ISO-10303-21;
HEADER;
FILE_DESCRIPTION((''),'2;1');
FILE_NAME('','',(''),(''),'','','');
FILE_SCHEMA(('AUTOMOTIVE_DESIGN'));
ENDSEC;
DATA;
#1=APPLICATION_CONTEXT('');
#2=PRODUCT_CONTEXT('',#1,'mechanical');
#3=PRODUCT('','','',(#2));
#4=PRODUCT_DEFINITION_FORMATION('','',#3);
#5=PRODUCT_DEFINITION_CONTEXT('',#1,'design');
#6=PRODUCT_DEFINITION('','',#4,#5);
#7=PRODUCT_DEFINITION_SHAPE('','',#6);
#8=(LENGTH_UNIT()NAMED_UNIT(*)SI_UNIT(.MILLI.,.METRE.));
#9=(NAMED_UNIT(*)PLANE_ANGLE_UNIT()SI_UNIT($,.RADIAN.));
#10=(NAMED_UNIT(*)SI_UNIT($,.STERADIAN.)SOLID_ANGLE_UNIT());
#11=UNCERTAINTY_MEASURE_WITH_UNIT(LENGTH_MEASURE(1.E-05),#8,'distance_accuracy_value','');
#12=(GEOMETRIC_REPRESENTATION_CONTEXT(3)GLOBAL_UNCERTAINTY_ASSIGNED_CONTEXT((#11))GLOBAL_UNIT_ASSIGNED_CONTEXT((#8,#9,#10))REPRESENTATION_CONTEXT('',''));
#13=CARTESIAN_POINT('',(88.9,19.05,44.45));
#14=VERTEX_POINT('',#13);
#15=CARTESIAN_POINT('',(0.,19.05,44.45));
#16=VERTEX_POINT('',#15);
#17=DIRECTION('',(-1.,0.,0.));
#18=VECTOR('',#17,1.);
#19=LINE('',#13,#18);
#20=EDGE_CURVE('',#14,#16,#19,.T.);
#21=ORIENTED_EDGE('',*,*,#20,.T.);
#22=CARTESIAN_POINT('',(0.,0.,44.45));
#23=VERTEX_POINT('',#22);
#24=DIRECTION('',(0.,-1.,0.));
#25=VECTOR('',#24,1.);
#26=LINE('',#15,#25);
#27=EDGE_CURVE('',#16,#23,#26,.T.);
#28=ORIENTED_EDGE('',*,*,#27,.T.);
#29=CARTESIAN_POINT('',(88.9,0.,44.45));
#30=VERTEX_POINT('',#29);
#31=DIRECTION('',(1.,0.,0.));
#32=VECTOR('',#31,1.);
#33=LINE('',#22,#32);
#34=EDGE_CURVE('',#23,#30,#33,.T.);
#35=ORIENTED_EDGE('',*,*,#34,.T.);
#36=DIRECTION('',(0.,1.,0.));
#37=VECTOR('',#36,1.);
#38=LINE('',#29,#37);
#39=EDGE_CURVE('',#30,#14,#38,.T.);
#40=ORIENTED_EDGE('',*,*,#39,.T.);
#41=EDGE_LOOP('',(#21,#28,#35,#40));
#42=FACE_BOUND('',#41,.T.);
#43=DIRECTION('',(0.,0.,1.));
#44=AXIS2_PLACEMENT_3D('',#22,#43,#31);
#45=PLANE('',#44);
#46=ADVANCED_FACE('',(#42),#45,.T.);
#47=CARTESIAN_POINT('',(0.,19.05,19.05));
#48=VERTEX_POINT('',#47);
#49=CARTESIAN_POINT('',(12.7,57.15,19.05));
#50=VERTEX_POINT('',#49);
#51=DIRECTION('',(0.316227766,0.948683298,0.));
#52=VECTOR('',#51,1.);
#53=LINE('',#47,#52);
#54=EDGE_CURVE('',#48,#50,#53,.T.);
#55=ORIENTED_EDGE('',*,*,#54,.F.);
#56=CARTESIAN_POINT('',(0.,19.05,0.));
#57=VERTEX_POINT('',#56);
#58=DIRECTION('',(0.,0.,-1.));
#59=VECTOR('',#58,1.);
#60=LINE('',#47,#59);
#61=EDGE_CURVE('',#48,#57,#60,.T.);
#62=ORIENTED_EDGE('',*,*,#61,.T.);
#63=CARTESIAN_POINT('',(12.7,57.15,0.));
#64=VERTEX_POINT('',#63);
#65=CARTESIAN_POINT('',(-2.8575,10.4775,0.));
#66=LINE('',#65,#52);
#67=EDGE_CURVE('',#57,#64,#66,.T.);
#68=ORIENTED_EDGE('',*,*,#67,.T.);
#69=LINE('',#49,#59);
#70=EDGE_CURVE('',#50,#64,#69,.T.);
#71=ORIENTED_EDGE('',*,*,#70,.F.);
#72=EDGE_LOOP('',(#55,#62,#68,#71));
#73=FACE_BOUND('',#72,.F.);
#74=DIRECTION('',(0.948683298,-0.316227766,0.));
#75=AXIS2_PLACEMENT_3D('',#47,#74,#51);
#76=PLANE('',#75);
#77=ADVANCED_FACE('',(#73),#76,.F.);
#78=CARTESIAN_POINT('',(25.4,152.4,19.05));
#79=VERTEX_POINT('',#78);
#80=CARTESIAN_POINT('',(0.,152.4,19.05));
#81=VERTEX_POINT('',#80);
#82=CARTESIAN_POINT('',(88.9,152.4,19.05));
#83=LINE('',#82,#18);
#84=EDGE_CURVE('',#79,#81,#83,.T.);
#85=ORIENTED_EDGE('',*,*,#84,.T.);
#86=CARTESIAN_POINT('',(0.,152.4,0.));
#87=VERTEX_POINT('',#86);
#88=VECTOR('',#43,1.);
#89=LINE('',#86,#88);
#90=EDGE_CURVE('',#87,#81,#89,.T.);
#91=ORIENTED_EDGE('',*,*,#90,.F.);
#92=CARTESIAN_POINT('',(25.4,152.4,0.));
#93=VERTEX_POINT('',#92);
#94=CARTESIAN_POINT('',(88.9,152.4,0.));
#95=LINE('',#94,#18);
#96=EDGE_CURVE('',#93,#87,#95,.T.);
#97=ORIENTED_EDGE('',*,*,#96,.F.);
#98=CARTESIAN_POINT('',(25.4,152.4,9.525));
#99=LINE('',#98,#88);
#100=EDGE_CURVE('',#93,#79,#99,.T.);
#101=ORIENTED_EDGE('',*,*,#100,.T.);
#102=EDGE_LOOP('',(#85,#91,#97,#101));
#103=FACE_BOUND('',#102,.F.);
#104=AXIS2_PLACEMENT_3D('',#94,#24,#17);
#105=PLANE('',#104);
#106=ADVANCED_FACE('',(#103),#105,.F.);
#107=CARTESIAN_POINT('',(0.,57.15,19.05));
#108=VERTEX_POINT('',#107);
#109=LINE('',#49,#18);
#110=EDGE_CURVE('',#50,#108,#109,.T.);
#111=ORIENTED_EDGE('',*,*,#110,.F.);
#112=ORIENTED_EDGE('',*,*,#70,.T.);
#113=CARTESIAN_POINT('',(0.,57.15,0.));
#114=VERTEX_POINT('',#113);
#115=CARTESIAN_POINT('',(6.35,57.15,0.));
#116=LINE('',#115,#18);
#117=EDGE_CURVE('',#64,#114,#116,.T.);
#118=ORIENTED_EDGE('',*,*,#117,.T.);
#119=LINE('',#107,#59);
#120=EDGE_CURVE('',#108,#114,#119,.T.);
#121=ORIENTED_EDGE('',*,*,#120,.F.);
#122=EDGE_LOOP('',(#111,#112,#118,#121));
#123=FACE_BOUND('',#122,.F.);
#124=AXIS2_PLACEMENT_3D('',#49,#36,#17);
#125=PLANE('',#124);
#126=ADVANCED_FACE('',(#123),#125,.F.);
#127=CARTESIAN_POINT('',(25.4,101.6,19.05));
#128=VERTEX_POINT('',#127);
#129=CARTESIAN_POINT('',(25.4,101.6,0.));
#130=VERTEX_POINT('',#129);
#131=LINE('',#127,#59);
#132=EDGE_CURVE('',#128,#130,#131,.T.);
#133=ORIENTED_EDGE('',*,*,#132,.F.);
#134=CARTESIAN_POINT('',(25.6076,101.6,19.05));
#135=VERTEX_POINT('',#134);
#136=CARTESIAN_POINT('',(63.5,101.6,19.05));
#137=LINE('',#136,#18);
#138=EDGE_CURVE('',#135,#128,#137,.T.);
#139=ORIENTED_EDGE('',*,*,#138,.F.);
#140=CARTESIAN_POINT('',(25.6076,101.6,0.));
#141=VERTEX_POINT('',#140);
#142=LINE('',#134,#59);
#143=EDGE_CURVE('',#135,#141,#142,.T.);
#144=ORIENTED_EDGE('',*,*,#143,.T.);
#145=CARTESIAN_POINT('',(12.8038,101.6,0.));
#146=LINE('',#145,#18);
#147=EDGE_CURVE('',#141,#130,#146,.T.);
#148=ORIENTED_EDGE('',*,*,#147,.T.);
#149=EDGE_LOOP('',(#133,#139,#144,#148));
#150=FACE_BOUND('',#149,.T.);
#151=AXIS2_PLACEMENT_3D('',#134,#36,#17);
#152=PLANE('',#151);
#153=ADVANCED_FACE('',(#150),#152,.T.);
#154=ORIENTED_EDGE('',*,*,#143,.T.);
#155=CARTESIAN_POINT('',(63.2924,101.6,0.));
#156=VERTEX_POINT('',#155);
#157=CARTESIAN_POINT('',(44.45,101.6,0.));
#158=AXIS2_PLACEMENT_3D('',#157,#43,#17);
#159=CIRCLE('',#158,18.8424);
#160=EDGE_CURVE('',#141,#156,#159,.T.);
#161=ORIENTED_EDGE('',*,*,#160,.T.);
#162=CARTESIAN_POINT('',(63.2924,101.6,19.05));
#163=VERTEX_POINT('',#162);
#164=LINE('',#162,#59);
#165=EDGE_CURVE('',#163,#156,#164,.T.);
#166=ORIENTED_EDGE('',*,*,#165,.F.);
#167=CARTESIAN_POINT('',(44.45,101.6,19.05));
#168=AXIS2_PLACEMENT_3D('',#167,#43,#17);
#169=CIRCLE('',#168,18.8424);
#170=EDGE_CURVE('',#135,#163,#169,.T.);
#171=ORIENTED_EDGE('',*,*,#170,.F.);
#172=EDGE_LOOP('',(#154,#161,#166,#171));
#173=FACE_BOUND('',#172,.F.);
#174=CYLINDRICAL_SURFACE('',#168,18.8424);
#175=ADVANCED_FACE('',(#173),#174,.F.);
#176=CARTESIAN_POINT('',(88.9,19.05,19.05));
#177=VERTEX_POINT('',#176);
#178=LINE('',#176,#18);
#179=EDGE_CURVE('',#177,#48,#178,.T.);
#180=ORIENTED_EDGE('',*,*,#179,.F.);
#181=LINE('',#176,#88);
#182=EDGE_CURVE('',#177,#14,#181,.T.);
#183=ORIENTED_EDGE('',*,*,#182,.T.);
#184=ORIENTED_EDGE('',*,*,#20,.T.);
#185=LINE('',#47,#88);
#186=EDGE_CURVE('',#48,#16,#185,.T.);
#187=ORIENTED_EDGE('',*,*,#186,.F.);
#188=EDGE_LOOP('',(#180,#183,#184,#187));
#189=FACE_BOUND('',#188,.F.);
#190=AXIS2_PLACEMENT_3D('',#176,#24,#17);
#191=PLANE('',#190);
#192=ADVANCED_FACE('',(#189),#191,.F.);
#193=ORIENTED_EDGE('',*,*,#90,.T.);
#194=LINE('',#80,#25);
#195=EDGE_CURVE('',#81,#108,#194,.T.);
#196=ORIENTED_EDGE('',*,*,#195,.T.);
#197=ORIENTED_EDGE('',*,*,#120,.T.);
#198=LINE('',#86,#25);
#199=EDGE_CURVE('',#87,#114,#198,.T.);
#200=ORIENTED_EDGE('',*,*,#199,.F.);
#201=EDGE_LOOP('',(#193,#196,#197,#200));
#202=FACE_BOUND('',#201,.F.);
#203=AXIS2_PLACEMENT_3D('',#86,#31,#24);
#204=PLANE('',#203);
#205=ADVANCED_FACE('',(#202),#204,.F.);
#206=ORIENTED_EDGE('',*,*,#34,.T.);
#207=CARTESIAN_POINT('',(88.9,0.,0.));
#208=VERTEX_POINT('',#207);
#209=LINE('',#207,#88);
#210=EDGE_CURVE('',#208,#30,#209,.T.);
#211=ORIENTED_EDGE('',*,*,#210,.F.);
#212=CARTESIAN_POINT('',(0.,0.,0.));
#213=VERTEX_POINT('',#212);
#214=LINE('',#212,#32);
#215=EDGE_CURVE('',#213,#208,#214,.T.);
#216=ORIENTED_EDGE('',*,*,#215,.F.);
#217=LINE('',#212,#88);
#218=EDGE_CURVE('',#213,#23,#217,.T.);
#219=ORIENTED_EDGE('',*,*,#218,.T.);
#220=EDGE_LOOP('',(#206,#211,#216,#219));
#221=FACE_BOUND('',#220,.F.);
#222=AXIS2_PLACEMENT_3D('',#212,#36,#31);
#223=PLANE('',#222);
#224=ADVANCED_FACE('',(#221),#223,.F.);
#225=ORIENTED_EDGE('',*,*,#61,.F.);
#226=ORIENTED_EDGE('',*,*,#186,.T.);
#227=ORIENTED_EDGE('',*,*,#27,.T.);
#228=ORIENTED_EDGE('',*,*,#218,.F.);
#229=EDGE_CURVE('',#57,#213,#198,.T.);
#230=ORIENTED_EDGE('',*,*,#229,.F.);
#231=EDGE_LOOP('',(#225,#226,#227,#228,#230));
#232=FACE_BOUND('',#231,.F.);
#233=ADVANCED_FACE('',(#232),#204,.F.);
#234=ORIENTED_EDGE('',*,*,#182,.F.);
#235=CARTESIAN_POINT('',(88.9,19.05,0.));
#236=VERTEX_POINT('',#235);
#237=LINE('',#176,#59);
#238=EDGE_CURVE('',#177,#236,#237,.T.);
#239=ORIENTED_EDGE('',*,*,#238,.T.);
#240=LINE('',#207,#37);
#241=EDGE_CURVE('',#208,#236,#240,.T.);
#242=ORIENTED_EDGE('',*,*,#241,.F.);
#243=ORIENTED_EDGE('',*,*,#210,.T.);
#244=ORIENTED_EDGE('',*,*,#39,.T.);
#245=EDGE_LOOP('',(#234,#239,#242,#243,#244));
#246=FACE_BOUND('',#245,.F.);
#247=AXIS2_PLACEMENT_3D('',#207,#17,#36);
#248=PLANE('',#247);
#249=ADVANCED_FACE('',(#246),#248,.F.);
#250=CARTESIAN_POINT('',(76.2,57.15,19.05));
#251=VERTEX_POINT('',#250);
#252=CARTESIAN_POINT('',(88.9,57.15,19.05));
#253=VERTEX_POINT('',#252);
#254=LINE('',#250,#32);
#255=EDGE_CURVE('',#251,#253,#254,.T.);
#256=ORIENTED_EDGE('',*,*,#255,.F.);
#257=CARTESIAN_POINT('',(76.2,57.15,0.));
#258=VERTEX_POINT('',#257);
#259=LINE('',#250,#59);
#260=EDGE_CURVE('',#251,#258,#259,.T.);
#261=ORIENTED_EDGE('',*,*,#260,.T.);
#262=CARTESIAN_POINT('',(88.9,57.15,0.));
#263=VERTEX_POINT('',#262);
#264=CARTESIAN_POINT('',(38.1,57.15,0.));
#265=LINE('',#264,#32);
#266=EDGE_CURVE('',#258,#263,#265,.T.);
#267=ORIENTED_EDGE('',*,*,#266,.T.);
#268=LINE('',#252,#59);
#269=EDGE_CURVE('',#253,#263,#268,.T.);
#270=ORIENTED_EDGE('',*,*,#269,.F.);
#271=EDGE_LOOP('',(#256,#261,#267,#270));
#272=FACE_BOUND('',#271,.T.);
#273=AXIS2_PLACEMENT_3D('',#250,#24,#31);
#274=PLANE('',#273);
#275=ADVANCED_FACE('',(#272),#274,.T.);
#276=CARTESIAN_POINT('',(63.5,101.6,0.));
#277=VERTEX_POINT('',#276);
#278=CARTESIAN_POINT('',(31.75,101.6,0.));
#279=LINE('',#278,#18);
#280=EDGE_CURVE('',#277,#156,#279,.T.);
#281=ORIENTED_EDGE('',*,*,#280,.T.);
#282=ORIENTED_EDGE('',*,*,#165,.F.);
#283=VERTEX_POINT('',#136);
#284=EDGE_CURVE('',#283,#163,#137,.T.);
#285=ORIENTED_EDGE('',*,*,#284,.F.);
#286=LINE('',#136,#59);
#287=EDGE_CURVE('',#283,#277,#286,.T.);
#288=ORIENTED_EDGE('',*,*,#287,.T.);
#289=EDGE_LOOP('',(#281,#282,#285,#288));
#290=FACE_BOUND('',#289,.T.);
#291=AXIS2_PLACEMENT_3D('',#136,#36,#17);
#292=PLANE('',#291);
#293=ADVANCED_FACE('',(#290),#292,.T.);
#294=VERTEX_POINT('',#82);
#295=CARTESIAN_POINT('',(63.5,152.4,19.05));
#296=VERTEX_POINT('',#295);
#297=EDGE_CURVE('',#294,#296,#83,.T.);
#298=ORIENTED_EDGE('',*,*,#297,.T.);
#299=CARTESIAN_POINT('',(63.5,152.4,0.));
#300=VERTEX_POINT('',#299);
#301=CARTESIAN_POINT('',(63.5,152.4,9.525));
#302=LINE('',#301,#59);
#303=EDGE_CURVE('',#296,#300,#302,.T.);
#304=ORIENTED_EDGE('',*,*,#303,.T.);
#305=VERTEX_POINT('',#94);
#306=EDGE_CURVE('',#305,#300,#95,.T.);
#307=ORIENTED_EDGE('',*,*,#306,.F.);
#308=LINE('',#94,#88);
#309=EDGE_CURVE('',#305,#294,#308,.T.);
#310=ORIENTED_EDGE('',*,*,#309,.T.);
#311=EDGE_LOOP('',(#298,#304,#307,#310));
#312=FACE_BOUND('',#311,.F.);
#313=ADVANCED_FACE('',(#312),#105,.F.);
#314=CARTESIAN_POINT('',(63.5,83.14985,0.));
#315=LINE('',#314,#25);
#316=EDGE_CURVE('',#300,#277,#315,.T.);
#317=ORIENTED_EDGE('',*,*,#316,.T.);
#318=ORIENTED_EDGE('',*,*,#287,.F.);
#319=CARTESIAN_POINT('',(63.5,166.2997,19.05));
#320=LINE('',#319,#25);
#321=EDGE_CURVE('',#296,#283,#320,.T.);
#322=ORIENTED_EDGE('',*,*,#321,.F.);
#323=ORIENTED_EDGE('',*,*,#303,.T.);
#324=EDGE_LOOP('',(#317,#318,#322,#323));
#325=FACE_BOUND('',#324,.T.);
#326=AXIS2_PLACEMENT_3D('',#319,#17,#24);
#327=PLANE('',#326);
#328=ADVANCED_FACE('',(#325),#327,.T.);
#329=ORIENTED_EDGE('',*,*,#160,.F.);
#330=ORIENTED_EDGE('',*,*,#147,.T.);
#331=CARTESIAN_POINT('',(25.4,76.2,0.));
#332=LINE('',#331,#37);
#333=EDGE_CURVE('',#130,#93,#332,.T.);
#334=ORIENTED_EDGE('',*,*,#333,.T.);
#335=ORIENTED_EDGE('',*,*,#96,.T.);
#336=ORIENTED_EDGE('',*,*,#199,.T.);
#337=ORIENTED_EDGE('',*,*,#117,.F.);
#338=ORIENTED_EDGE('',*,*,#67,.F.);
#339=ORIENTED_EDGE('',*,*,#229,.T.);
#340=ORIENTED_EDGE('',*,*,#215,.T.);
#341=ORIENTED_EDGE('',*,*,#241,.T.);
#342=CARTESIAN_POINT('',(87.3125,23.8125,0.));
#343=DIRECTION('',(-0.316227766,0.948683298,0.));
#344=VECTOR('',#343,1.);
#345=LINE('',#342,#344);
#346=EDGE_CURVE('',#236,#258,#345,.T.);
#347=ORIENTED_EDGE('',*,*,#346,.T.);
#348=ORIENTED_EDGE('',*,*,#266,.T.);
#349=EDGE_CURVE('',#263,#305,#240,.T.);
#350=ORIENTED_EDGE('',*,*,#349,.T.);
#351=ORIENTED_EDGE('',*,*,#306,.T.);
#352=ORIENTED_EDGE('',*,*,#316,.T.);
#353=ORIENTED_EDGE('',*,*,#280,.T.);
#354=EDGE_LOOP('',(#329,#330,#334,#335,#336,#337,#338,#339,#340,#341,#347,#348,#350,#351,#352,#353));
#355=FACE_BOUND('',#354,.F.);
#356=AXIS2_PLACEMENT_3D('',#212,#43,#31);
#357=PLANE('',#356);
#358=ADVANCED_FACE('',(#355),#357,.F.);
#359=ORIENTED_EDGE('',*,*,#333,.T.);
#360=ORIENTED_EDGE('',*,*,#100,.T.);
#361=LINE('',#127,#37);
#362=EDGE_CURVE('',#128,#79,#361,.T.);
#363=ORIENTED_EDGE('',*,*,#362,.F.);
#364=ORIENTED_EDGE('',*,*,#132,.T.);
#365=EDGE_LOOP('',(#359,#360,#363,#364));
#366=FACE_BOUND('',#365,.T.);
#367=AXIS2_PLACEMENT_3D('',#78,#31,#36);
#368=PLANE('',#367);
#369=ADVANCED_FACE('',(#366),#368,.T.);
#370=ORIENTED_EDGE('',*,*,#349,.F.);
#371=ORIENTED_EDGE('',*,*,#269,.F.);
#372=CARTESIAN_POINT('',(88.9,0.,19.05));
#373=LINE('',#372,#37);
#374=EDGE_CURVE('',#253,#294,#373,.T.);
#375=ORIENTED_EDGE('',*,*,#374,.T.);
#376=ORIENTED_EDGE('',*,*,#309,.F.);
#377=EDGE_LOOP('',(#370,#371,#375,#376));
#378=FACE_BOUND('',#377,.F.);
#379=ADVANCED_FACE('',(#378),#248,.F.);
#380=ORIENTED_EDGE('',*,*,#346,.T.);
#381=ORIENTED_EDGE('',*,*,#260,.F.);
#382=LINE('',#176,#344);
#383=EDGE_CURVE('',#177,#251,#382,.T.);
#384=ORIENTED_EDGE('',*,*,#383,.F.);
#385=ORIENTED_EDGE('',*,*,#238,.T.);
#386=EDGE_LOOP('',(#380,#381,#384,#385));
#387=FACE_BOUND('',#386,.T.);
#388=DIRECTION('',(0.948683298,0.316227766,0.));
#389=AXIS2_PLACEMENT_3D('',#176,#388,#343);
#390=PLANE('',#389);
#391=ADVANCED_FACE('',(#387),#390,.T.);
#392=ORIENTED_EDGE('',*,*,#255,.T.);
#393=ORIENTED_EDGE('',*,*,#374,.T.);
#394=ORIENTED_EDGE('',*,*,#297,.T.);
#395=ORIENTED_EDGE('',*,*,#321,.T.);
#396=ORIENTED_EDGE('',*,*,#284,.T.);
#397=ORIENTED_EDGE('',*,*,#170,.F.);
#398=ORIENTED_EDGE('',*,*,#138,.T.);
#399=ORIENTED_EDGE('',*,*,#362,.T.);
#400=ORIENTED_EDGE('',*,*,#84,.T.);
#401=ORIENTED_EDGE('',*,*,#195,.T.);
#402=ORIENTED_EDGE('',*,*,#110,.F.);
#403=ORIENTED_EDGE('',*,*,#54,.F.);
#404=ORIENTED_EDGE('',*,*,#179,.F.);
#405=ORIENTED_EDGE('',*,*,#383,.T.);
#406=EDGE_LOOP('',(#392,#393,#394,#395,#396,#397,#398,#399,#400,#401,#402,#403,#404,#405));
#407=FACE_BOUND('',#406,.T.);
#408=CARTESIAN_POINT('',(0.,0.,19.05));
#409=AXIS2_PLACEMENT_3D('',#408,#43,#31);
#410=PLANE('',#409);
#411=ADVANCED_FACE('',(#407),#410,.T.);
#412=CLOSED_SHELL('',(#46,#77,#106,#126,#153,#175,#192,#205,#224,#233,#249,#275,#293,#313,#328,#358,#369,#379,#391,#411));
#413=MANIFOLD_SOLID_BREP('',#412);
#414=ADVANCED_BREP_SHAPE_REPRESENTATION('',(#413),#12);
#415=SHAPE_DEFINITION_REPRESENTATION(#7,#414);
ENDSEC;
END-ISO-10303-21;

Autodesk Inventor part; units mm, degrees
ref_plane "YZ Plane" through (0, 0, 0) normal (1, 0, 0) x (0, 1, 0)
ref_plane "XZ Plane" through (0, 0, 0) normal (0, 1, 0) x (-1, 0, 0)
ref_plane "XY Plane" through (0, 0, 0) normal (0, 0, 1) x (1, 0, 0)
sketch "Sketch1" plane through (0, 0, 0) normal (0, 0, 1) x (1, 0, 0)
  line L0 (0, 0) -> (88.9, 0)
  line L1 (88.9, 0) -> (88.9, 152.4)
  line L2 (88.9, 152.4) -> (0, 152.4)
  line L3 (0, 152.4) -> (0, 0)
  dimension "d0" = 152.4
  dimension "d1" = 88.9
extrude "Extrusion1" add sketch "Sketch1" along normal blind 19.05
sketch "Sketch2" plane through (0, 0, 19.05) normal (0, 0, 1) x (1, 0, 0)
  line L0 (0, 0) -> (88.9, 0)
  line L1 (88.9, 0) -> (88.9, 19.05)
  line L2 (88.9, 19.05) -> (0, 19.05)
  line L3 (0, 19.05) -> (0, 0)
  line L4 (88.9, 0) -> (88.9, 152.4) projected
  dimension "d4" = 19.05
extrude "Extrusion2" add sketch "Sketch2" along normal blind 25.4
sketch "Sketch3" plane through (0, 0, 19.05) normal (0, 0, 1) x (1, 0, 0)
  line L0 (25.4, 166.2997) -> (63.5, 166.2997)
  line L1 (63.5, 166.2997) -> (63.5, 101.6)
  line L2 (63.5, 101.6) -> (25.4, 101.6)
  line L3 (25.4, 101.6) -> (25.4, 166.2997)
  line L4 (88.9, 152.4) -> (0, 152.4) projected
  arc A0 (25.6076, 101.6) -> (63.2924, 101.6) centre (44.45, 101.6) ccw
  point P0 (0, 0)
  dimension "d7" = 25.4
  dimension "d8" = 25.4
  dimension "d9" = 50.8
extrude "Extrusion3" cut sketch "Sketch3" against normal blind 25.4
sketch "Sketch4" plane through (0, 0, 19.05) normal (0, 0, 1) x (1, 0, 0)
  line L0 (0, 19.05) -> (12.7, 57.15)
  line L1 (12.7, 57.15) -> (0, 57.15)
  line L2 (0, 19.05) -> (88.9, 19.05) projected
  line L3 (0, 19.05) -> (0, 57.15)
  line L4 (0, 152.4) -> (0, 0) projected
  line L5 (88.9, 19.05) -> (88.9, 57.15)
  line L6 (88.9, 0) -> (88.9, 152.4) projected
  line L7 (76.2, 57.15) -> (88.9, 19.05)
  line L8 (76.2, 57.15) -> (88.9, 57.15)
  line L9 (88.9, 19.05) -> (88.9, 57.15)
  dimension "d12" = 12.7
  dimension "d13" = 38.1
  dimension "d14" = 12.7
  dimension "d15" = 38.1
extrude "Extrusion4" cut sketch "Sketch4" against normal blind 25.4 contours L3 L1 L0
sketch "Sketch5" plane through (0, 0, 19.05) normal (0, 0, 1) x (1, 0, 0)
  line L0 (88.9, 19.05) -> (76.2, 57.15)
  line L1 (76.2, 57.15) -> (88.9, 57.15)
  line L2 (88.9, 19.05) -> (88.9, 152.4) projected
  point P0 (0, 0)
  dimension "d18" = 12.7
  dimension "d19" = 38.1
extrude "Extrusion5" cut sketch "Sketch5" against normal blind 25.4
properties part number "Guide Fork CAD" material "Aluminum 6061"
